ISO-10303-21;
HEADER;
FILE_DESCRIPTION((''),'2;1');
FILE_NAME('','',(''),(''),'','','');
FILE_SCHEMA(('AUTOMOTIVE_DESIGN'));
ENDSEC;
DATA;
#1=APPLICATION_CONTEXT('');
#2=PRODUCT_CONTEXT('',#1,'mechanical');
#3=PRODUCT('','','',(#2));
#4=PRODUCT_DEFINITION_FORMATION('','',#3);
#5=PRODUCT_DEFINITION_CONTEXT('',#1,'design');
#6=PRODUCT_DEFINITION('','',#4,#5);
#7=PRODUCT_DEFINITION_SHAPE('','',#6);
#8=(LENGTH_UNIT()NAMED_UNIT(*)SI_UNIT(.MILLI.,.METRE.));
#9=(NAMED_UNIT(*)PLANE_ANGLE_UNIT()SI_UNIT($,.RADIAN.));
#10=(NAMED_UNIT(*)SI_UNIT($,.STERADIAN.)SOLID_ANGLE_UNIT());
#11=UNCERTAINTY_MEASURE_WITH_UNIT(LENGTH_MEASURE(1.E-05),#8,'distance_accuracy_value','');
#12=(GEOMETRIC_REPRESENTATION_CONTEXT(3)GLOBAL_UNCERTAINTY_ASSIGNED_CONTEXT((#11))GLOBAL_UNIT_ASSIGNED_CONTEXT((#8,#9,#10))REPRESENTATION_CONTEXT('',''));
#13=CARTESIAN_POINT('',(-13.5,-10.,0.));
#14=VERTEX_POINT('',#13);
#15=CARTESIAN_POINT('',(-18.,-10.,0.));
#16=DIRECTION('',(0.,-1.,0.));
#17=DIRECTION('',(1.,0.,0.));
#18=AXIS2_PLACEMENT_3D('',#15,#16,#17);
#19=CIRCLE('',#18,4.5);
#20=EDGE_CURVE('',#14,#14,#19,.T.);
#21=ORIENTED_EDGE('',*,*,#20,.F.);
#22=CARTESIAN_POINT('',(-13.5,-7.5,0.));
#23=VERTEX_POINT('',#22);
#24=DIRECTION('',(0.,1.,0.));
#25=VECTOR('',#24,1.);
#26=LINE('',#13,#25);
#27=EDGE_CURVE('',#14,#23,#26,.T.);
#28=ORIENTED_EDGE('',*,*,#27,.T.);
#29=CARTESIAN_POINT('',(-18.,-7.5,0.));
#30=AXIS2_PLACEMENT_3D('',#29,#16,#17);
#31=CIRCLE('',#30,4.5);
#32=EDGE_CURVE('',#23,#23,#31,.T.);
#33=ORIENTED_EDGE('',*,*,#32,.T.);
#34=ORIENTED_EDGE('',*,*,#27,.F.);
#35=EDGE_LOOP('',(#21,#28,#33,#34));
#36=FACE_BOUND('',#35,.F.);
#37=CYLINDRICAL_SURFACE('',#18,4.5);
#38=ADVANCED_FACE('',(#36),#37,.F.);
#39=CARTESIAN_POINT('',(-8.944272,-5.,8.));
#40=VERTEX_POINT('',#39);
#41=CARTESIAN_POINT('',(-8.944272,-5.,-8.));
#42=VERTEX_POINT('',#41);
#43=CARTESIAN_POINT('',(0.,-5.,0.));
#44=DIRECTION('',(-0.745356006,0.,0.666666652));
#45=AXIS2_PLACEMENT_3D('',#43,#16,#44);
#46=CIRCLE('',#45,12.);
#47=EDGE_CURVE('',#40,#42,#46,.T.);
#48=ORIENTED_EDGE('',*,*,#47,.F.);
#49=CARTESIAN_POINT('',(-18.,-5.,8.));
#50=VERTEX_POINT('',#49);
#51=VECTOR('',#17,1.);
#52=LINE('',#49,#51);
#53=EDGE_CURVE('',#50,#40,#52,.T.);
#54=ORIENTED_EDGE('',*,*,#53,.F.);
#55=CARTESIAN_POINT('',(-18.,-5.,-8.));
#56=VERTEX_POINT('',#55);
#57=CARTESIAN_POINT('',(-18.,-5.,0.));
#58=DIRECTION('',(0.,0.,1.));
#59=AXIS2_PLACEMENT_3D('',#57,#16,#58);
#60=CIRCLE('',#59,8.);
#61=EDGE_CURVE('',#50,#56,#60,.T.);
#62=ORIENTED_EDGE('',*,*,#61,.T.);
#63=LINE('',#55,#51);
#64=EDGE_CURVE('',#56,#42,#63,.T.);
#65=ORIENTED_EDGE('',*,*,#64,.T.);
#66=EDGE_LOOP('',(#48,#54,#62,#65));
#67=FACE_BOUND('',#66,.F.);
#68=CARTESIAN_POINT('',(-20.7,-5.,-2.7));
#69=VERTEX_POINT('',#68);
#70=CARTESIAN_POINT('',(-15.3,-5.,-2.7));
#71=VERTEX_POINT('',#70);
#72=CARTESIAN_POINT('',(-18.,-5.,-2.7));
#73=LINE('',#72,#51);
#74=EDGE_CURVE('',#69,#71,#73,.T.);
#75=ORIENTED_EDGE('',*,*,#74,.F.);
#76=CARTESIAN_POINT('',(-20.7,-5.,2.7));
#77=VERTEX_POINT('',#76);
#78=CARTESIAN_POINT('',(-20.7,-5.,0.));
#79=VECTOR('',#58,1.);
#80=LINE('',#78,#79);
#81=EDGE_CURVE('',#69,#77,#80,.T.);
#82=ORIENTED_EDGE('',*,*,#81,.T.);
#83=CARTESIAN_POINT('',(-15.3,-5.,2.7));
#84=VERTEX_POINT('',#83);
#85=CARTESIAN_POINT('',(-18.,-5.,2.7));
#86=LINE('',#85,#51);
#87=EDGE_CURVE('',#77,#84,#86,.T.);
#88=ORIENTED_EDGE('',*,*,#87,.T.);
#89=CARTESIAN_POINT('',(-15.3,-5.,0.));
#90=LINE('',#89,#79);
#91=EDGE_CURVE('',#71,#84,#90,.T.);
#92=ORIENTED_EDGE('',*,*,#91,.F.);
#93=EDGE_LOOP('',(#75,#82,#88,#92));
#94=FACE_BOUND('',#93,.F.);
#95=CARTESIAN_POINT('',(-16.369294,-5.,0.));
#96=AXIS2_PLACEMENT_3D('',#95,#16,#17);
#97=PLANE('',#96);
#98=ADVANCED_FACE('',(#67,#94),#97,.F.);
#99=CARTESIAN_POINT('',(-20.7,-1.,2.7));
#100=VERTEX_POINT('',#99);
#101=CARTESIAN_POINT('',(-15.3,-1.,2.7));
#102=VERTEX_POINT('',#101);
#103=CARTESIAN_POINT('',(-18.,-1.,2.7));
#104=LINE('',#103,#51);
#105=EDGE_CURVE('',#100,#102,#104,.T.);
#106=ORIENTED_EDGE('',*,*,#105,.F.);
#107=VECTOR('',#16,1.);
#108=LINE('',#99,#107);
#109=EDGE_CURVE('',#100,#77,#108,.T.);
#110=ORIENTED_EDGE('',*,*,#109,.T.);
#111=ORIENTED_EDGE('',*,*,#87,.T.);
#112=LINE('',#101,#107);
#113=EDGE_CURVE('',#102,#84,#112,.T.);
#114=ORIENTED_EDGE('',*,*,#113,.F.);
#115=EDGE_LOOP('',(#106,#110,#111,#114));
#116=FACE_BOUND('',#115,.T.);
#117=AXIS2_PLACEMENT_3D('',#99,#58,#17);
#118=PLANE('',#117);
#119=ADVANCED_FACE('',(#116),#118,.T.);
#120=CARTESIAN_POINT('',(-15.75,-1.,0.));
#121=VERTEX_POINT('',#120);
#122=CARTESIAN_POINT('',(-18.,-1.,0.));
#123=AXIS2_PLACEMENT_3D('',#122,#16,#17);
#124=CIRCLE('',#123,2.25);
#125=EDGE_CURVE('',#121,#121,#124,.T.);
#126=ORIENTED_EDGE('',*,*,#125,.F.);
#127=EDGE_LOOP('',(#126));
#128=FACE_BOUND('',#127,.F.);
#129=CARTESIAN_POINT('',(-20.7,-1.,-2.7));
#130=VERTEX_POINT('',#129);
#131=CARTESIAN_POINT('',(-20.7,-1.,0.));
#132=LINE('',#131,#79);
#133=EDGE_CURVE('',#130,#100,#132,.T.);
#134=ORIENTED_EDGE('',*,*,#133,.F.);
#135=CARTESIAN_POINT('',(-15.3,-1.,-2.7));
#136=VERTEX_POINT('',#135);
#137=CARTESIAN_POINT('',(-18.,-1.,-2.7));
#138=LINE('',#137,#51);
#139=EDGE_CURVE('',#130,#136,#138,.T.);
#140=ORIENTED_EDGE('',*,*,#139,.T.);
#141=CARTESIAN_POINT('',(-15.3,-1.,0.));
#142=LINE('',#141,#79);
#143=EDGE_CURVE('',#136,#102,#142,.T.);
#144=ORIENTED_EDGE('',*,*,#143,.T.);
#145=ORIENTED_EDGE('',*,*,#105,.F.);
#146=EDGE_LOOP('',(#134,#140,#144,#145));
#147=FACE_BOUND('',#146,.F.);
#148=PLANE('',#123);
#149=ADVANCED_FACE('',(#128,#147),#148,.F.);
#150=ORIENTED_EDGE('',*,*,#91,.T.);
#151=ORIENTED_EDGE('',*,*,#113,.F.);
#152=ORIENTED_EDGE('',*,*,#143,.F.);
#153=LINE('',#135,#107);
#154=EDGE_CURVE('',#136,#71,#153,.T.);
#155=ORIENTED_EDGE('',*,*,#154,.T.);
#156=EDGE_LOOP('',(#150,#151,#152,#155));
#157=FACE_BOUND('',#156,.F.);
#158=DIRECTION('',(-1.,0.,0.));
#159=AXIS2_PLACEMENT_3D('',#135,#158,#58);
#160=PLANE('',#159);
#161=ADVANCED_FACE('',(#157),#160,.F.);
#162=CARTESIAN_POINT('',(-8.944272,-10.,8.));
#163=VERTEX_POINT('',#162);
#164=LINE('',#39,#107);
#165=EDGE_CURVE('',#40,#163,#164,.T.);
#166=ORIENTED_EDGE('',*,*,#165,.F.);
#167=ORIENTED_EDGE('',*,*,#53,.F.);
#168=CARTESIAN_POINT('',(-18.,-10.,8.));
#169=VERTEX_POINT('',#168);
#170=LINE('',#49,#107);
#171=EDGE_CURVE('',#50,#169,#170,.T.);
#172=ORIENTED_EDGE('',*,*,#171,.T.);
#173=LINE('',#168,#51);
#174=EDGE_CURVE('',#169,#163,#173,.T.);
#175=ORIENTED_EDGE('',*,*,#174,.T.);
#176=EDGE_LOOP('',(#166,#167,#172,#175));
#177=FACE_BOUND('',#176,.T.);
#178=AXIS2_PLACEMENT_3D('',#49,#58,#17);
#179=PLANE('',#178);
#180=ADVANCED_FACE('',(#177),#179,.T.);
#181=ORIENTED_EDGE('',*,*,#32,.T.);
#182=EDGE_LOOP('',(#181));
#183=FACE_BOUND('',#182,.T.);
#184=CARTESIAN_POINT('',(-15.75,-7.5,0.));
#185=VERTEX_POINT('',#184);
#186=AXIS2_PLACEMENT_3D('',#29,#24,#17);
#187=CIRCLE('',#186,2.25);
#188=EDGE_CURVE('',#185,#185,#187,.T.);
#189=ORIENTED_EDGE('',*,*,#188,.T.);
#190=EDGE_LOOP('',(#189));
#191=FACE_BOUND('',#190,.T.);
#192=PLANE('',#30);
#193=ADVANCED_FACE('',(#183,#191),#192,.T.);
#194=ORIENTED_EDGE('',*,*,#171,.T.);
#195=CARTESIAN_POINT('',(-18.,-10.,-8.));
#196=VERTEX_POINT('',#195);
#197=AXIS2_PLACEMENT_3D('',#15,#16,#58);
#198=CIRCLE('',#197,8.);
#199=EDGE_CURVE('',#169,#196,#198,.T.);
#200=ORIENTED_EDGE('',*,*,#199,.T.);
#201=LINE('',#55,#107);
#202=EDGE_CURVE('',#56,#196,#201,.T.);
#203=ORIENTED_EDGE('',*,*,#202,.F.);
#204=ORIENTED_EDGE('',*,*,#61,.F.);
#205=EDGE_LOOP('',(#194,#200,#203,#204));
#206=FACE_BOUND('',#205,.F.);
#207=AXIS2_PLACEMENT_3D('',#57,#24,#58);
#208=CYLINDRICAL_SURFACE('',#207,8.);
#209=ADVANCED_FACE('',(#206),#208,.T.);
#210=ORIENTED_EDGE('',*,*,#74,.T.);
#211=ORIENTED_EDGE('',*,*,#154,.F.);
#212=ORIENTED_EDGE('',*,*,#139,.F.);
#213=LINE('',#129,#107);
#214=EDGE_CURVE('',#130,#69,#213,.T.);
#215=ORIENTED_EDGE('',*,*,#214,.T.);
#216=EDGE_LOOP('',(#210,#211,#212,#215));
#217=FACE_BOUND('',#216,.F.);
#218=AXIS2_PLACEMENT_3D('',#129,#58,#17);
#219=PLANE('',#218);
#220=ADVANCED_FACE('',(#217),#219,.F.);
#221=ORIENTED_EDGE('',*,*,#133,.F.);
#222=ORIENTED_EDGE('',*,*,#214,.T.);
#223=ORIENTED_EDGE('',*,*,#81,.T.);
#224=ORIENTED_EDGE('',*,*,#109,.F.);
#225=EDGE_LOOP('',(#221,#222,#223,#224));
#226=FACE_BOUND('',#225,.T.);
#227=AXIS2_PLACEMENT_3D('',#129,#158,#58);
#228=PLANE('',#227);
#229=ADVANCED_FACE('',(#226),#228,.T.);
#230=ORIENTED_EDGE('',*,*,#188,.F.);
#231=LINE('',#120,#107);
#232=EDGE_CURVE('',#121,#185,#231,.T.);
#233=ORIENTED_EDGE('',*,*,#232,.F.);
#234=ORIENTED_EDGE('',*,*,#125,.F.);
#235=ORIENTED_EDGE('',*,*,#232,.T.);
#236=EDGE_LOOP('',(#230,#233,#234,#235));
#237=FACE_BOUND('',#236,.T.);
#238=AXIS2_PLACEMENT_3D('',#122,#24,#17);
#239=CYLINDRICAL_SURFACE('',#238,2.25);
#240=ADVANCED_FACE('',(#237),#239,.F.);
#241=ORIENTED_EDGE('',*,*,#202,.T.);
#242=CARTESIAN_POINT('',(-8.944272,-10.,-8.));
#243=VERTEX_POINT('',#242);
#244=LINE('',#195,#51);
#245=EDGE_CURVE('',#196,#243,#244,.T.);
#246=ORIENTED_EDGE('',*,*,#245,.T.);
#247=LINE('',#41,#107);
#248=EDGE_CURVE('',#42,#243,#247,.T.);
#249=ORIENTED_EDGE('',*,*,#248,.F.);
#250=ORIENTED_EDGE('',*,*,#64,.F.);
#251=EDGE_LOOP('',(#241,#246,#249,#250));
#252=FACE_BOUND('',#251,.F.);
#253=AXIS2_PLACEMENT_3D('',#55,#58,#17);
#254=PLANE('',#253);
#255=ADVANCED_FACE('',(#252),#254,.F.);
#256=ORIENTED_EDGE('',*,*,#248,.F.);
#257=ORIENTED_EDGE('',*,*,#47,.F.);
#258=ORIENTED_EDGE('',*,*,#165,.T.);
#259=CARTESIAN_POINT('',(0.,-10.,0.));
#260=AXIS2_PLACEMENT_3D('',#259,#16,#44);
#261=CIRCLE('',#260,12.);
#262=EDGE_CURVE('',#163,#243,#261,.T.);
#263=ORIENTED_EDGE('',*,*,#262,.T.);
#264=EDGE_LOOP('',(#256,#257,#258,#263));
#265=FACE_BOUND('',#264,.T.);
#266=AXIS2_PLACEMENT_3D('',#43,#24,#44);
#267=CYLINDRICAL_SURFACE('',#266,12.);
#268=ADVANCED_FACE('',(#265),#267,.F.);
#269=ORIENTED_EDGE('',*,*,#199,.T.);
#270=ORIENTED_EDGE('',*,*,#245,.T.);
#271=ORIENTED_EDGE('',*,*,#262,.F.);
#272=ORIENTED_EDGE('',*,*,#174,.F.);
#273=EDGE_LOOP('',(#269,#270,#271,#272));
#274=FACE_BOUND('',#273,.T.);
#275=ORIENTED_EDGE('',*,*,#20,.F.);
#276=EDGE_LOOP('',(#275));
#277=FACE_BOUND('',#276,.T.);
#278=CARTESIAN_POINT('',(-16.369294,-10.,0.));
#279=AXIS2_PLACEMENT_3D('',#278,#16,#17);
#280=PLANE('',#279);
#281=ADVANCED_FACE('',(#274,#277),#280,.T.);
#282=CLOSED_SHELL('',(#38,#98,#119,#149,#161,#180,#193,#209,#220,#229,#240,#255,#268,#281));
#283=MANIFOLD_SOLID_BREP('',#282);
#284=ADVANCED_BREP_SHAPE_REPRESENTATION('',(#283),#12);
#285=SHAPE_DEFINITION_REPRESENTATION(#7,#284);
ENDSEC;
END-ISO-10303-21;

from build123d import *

# Parameters (mm, degrees)
PAD021_DEPTH      = 5
BOX002_W          = 5.4
BOX002_H          = 5.4
BOX002_DEPTH      = 4
CYLINDER063_R     = 2.25
CYLINDER063_DEPTH = 9
SKETCH034_R       = 4.5
POCKET004_DEPTH   = 2.5


with BuildPart() as part:
    # Sketch031 → Pad021 (new body)
    with BuildSketch(Plane.XZ):
        with BuildLine():
            ThreePointArc((-18, 8), (-26, 0), (-18, -8))
            Line((-18, -8), (-8.944272, -8))
            ThreePointArc((-8.944272, 8), (-12, 0), (-8.944272, -8))
            Line((-18, 8), (-8.944272, 8))
        make_face()
    extrude(amount=PAD021_DEPTH)

    # Box002 → Box002 (join)
    with BuildSketch(Plane(origin=(-20.7, 4, -2.7), x_dir=(1, 0, 0), z_dir=(0, -1, 0))):
        with Locations((2.7, 2.7)):
            Rectangle(BOX002_W, BOX002_H)
    extrude(amount=BOX002_DEPTH)

    # Cylinder063 → Cylinder063 (cut)
    with BuildSketch(Plane(origin=(-18, 4, 0), x_dir=(1, 0, 0), z_dir=(0, -1, 0))):
        Circle(CYLINDER063_R)
    extrude(amount=CYLINDER063_DEPTH, mode=Mode.SUBTRACT)

    # Sketch034 (on Face5 of Cylinder063) → Pocket004 (cut)
    with BuildSketch(Plane(origin=(-18, -5, 0), x_dir=(1, 0, 0), z_dir=(0, -1, 0))):
        Circle(SKETCH034_R)
    extrude(amount=-POCKET004_DEPTH, mode=Mode.SUBTRACT)


with BuildPart() as part_1:
    # Body033 placement: moved
    add(part.part.moved(Location((0, -5, 0))))


solid = part_1.part
